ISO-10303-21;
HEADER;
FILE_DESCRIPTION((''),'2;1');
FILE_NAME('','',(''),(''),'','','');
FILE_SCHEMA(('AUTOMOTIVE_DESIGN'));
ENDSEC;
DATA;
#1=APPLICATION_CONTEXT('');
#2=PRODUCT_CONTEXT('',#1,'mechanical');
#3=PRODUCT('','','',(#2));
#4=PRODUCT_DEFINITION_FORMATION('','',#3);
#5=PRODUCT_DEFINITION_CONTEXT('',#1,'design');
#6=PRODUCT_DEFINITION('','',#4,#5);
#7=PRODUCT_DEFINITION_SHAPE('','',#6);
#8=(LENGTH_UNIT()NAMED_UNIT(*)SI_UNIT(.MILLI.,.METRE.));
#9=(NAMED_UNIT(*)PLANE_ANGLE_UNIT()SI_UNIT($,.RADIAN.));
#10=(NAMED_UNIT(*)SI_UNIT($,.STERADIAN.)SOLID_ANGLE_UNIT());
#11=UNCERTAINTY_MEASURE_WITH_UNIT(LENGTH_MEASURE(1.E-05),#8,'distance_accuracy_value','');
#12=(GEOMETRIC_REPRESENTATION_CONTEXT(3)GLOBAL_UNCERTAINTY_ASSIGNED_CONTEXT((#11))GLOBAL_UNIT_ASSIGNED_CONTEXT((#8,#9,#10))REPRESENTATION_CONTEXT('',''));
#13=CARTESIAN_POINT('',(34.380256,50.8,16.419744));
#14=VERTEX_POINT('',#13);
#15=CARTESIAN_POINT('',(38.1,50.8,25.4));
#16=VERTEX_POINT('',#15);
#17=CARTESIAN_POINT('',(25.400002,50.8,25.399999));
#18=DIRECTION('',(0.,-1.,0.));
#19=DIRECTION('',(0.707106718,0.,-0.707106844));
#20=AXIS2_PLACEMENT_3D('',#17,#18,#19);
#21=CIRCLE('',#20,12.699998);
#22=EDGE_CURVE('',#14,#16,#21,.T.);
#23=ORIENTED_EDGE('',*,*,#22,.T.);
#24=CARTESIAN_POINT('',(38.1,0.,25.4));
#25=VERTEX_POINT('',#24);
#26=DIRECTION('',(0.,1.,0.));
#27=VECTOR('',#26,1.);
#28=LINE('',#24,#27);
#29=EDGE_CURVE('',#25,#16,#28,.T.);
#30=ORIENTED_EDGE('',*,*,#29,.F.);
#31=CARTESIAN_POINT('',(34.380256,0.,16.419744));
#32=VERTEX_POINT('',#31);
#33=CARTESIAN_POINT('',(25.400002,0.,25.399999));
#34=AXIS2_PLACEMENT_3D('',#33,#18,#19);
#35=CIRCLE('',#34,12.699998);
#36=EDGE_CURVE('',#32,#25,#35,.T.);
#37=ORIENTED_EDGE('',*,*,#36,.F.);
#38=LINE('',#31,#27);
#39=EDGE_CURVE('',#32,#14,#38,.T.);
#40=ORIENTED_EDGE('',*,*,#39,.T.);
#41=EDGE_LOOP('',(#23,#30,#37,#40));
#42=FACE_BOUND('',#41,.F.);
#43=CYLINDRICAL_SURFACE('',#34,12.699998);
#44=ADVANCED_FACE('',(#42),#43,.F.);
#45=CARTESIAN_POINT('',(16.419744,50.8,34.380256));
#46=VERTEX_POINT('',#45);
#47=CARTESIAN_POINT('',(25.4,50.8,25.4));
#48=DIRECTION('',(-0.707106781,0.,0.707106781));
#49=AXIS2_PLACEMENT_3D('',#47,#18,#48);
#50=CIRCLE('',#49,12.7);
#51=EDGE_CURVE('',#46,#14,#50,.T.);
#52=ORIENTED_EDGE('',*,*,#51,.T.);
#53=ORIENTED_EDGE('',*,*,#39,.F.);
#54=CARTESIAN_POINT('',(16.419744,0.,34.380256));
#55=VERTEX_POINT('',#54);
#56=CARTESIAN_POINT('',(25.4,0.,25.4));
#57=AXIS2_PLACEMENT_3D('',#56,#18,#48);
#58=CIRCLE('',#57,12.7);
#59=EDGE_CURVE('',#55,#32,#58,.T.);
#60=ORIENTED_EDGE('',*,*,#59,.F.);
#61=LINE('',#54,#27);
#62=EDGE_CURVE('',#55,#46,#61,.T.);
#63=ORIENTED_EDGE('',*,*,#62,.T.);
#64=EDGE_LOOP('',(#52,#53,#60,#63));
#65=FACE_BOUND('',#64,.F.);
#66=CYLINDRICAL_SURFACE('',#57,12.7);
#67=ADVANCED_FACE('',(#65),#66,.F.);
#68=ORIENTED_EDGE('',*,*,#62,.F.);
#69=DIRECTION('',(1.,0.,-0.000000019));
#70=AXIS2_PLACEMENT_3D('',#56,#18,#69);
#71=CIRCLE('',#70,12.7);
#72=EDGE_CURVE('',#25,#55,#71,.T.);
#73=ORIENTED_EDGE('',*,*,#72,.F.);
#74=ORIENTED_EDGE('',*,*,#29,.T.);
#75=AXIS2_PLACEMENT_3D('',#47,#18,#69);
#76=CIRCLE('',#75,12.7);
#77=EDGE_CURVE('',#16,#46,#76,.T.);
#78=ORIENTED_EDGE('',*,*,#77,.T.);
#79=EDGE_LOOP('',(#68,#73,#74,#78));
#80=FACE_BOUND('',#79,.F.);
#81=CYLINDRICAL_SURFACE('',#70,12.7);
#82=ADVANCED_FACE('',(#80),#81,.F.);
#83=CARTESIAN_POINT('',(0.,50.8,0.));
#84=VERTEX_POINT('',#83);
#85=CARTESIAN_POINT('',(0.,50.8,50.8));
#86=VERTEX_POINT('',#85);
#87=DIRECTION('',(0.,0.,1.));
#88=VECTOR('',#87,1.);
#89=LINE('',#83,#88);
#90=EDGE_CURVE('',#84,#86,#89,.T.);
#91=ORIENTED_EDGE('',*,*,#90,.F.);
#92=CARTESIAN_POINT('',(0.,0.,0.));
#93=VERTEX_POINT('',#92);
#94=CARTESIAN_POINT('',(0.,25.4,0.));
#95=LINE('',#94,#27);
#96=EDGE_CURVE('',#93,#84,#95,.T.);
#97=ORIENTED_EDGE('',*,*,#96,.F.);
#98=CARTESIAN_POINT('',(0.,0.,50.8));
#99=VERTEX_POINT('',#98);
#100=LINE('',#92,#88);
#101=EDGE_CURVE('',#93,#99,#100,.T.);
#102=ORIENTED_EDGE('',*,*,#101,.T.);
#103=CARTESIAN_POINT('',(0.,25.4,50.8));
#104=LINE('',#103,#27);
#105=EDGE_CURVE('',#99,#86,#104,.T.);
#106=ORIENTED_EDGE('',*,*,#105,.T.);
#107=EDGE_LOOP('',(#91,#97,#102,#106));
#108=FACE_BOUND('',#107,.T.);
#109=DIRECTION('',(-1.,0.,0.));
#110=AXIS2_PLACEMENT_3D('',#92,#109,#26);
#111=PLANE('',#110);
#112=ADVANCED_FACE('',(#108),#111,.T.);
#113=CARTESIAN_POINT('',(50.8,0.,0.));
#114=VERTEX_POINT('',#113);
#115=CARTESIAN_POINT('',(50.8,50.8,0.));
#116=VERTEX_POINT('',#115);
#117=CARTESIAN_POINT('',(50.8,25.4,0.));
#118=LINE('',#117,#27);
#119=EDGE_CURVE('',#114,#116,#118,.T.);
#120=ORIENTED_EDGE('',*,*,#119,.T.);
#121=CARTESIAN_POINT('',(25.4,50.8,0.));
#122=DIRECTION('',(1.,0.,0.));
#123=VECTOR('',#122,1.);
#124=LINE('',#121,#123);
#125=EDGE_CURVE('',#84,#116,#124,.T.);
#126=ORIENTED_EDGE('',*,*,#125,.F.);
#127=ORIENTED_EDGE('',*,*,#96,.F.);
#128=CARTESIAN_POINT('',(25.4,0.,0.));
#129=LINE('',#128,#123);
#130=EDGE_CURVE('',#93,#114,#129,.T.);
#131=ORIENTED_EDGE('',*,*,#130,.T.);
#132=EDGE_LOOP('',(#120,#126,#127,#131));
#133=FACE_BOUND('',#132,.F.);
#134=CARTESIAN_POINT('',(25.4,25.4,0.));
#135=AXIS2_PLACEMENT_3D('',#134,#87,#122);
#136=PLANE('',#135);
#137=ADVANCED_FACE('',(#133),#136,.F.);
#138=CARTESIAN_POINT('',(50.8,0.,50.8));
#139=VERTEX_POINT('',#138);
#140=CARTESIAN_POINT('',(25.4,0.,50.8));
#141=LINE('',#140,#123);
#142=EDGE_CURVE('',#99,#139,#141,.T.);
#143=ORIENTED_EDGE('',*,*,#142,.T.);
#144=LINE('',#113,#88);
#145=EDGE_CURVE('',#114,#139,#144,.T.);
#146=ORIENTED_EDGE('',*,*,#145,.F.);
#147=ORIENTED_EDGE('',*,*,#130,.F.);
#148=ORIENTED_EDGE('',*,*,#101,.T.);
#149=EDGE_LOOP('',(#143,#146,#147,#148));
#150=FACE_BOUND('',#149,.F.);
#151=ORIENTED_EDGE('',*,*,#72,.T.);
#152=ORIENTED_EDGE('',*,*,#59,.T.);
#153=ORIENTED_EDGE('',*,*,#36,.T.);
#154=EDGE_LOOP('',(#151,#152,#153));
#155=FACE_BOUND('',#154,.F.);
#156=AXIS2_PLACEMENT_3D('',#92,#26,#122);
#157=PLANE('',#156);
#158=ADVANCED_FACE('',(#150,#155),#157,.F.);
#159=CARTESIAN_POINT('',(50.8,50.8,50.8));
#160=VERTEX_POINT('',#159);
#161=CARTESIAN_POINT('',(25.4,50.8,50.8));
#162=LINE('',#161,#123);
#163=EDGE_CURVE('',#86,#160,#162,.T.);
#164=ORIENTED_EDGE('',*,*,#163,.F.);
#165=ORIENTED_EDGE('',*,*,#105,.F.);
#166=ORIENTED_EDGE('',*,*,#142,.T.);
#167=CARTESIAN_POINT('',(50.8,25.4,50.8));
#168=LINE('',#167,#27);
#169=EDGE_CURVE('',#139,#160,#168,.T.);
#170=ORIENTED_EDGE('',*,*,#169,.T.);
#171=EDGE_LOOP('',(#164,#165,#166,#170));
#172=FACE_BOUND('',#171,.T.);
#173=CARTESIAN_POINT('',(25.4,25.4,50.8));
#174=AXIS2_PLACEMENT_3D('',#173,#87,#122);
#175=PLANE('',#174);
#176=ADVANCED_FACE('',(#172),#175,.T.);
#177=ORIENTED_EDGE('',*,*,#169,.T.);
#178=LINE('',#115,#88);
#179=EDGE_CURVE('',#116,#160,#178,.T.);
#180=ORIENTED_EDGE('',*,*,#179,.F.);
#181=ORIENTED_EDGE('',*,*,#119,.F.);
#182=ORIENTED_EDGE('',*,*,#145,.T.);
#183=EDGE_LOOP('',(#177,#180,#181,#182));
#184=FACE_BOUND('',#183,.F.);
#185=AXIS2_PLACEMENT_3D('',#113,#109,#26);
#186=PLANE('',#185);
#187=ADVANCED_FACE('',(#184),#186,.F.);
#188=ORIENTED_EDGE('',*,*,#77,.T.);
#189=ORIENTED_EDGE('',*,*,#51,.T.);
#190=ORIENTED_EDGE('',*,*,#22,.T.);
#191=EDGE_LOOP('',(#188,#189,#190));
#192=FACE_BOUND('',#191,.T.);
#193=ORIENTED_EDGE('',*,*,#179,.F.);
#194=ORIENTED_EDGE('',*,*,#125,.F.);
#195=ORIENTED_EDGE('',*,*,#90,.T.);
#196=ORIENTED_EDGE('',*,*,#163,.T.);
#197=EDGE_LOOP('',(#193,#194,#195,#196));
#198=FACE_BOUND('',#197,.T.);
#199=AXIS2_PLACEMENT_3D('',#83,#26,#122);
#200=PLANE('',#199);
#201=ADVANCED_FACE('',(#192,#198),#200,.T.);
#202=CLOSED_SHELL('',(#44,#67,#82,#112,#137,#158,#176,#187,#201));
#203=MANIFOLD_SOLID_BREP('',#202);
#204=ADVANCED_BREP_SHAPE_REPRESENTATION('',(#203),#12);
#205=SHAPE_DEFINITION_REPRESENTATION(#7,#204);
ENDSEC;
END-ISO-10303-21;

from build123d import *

# Parameters (mm, degrees)
F0_W     = 50.8
F0_H     = 50.8
F1_DEPTH = 50.8
F3_DEPTH = 50.8


with BuildPart() as f1:
    # F0 (on Top) → F1 (new body)
    with BuildSketch(Plane.XY):
        with Locations((25.4, 25.4)):
            Rectangle(F0_W, F0_H)
    extrude(amount=F1_DEPTH)

    # F2 (on face) → F3 (cut)
    with BuildSketch(Plane.XZ):
        with BuildLine():
            ThreePointArc((38.1, 25.4), (30.26008, 37.13327), (16.419744, 34.380256))
            Line((16.419744, 34.380256), (34.380256, 16.419744))
            ThreePointArc((34.380256, 16.419744), (37.13327, 20.53992), (38.1, 25.4))
        make_face()
        with BuildLine():
            Line((34.380256, 16.419744), (16.419744, 34.380256))
            ThreePointArc((16.419744, 34.380256), (16.419744, 16.419744), (34.380256, 16.419744))
        make_face()
    extrude(amount=-F3_DEPTH, mode=Mode.SUBTRACT)


solid = f1.part
